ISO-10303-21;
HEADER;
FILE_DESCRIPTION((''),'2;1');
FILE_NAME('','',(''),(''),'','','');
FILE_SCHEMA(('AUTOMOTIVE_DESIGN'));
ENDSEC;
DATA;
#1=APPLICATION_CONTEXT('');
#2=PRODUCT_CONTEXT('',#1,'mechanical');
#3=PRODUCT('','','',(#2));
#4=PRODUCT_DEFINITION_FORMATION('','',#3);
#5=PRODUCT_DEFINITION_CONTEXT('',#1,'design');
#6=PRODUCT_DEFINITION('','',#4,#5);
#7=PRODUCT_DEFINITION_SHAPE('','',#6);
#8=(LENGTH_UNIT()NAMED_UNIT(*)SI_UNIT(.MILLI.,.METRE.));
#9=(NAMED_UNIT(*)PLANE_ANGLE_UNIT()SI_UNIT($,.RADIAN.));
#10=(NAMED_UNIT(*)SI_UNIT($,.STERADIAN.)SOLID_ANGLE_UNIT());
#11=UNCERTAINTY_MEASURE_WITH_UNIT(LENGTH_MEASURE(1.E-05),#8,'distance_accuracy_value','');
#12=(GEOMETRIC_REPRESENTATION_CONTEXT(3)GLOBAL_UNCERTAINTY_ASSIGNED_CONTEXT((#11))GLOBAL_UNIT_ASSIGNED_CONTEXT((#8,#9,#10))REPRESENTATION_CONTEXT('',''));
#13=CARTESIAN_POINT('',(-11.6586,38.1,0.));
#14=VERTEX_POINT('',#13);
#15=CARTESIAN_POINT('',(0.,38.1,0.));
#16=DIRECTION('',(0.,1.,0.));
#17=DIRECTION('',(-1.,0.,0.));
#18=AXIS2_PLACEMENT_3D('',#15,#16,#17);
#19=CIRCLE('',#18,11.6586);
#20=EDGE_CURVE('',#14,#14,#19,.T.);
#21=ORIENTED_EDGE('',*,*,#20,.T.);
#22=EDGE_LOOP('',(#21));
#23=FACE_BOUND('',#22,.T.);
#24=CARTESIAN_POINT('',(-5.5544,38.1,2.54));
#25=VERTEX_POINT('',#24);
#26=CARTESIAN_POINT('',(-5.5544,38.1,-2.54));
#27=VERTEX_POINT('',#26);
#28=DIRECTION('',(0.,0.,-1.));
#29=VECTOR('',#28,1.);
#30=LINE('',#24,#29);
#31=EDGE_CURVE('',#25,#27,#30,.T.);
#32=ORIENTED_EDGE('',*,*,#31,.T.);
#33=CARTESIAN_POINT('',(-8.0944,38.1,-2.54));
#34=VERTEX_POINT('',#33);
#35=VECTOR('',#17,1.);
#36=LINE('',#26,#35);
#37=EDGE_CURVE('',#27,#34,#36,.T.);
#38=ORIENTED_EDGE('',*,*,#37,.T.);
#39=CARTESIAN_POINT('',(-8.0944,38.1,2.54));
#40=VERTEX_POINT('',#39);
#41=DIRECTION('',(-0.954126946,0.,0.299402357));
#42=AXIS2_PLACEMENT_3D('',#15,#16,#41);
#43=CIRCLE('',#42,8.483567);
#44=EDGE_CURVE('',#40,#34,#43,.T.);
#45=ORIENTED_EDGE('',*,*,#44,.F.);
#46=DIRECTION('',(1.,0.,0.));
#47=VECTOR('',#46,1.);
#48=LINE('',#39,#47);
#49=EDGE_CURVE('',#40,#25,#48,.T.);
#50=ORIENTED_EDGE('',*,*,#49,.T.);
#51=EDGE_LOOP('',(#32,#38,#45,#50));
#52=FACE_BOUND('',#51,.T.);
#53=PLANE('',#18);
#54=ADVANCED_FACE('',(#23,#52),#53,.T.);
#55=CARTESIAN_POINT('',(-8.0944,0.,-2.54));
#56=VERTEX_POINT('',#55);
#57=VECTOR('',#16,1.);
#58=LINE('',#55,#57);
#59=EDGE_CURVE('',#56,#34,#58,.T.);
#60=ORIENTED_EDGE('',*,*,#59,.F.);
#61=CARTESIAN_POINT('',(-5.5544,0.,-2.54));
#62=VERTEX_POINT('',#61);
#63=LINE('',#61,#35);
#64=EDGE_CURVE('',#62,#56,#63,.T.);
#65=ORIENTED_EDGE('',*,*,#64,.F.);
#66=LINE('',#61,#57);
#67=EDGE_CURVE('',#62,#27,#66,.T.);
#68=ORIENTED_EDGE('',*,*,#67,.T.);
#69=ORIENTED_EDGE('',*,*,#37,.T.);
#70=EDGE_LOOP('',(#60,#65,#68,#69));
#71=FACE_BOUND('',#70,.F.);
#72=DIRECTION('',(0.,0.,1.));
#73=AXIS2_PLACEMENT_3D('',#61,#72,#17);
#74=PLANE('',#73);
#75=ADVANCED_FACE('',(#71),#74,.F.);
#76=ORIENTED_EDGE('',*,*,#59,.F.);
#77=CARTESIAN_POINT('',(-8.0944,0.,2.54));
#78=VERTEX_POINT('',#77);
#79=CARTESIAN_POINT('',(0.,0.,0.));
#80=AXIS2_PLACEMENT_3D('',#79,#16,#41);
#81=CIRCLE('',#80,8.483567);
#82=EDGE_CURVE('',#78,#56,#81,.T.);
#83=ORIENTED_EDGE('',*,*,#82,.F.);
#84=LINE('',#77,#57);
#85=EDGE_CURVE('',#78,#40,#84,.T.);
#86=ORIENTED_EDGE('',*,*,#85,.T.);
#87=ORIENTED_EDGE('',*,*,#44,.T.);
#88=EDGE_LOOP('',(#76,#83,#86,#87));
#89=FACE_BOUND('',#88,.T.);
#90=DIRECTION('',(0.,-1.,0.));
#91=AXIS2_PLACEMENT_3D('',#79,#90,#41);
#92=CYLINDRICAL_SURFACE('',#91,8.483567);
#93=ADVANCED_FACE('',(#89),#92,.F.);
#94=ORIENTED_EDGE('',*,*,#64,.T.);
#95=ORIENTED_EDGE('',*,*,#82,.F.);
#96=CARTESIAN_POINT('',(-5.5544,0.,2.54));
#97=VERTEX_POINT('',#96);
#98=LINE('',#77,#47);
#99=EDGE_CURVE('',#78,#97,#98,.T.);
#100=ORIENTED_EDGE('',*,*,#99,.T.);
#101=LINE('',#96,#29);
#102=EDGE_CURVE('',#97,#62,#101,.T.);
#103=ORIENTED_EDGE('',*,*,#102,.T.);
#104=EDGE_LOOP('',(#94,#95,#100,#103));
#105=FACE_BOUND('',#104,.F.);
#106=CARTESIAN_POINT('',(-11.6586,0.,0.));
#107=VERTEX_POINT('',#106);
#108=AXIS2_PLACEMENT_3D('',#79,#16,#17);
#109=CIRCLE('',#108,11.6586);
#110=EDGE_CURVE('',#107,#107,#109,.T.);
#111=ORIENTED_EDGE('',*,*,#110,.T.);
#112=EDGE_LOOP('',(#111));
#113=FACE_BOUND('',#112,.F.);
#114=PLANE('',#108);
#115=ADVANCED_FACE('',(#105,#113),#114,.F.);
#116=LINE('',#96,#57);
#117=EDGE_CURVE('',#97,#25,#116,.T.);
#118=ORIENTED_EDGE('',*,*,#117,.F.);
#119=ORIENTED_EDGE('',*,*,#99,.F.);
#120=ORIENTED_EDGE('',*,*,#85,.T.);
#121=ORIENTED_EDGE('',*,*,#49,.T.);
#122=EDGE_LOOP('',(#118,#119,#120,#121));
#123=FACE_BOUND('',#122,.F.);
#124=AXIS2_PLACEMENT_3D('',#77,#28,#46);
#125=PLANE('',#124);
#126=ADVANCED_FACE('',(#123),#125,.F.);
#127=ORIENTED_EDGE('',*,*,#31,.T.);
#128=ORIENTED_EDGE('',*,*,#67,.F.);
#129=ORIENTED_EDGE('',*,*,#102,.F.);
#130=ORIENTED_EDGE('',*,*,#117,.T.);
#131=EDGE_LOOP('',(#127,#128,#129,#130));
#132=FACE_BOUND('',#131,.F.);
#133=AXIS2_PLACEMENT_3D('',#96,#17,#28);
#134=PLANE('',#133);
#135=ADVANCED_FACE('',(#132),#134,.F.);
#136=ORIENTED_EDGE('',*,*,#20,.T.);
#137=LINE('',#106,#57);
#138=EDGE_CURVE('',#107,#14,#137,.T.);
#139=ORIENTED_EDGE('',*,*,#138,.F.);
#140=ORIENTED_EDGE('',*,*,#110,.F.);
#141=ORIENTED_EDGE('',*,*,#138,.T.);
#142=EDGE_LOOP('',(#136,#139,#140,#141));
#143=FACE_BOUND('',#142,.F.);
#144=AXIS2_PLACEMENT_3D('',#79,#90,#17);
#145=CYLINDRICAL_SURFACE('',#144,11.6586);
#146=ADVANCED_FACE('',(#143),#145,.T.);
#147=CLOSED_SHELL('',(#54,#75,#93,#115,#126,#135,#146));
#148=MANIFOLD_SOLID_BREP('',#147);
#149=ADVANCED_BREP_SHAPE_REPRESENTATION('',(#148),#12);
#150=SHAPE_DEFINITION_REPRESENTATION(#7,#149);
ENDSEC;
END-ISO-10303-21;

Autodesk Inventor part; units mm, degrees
ref_plane "YZ Plane" through (0, 0, 0) normal (1, 0, 0) x (0, 1, 0)
ref_plane "XZ Plane" through (0, 0, 0) normal (0, 1, 0) x (-1, 0, 0)
ref_plane "XY Plane" through (0, 0, 0) normal (0, 0, 1) x (1, 0, 0)
sketch "Sketch1" plane through (0, 0, 0) normal (0, 1, 0) x (-1, 0, 0)
  circle A0 centre (0, 0) radius 11.6586
  arc A1 (8.0944, 2.54) -> (8.0944, -2.54) centre (0, 0) ccw
  line L0 (8.0944, 2.54) -> (5.5544, 2.54)
  line L1 (5.5544, 2.54) -> (5.5544, -2.54)
  line L2 (5.5544, -2.54) -> (8.0944, -2.54)
  point P0 (5.5544, 0)
  dimension "d0" = 23.3172
  dimension "d1" = 16.9672
  dimension "d3" = 5.08
  dimension "d4" = 2.54
extrude "Extrusion1" add sketch "Sketch1" along normal blind 38.1
properties part number "KeyedShaftCoupler"
